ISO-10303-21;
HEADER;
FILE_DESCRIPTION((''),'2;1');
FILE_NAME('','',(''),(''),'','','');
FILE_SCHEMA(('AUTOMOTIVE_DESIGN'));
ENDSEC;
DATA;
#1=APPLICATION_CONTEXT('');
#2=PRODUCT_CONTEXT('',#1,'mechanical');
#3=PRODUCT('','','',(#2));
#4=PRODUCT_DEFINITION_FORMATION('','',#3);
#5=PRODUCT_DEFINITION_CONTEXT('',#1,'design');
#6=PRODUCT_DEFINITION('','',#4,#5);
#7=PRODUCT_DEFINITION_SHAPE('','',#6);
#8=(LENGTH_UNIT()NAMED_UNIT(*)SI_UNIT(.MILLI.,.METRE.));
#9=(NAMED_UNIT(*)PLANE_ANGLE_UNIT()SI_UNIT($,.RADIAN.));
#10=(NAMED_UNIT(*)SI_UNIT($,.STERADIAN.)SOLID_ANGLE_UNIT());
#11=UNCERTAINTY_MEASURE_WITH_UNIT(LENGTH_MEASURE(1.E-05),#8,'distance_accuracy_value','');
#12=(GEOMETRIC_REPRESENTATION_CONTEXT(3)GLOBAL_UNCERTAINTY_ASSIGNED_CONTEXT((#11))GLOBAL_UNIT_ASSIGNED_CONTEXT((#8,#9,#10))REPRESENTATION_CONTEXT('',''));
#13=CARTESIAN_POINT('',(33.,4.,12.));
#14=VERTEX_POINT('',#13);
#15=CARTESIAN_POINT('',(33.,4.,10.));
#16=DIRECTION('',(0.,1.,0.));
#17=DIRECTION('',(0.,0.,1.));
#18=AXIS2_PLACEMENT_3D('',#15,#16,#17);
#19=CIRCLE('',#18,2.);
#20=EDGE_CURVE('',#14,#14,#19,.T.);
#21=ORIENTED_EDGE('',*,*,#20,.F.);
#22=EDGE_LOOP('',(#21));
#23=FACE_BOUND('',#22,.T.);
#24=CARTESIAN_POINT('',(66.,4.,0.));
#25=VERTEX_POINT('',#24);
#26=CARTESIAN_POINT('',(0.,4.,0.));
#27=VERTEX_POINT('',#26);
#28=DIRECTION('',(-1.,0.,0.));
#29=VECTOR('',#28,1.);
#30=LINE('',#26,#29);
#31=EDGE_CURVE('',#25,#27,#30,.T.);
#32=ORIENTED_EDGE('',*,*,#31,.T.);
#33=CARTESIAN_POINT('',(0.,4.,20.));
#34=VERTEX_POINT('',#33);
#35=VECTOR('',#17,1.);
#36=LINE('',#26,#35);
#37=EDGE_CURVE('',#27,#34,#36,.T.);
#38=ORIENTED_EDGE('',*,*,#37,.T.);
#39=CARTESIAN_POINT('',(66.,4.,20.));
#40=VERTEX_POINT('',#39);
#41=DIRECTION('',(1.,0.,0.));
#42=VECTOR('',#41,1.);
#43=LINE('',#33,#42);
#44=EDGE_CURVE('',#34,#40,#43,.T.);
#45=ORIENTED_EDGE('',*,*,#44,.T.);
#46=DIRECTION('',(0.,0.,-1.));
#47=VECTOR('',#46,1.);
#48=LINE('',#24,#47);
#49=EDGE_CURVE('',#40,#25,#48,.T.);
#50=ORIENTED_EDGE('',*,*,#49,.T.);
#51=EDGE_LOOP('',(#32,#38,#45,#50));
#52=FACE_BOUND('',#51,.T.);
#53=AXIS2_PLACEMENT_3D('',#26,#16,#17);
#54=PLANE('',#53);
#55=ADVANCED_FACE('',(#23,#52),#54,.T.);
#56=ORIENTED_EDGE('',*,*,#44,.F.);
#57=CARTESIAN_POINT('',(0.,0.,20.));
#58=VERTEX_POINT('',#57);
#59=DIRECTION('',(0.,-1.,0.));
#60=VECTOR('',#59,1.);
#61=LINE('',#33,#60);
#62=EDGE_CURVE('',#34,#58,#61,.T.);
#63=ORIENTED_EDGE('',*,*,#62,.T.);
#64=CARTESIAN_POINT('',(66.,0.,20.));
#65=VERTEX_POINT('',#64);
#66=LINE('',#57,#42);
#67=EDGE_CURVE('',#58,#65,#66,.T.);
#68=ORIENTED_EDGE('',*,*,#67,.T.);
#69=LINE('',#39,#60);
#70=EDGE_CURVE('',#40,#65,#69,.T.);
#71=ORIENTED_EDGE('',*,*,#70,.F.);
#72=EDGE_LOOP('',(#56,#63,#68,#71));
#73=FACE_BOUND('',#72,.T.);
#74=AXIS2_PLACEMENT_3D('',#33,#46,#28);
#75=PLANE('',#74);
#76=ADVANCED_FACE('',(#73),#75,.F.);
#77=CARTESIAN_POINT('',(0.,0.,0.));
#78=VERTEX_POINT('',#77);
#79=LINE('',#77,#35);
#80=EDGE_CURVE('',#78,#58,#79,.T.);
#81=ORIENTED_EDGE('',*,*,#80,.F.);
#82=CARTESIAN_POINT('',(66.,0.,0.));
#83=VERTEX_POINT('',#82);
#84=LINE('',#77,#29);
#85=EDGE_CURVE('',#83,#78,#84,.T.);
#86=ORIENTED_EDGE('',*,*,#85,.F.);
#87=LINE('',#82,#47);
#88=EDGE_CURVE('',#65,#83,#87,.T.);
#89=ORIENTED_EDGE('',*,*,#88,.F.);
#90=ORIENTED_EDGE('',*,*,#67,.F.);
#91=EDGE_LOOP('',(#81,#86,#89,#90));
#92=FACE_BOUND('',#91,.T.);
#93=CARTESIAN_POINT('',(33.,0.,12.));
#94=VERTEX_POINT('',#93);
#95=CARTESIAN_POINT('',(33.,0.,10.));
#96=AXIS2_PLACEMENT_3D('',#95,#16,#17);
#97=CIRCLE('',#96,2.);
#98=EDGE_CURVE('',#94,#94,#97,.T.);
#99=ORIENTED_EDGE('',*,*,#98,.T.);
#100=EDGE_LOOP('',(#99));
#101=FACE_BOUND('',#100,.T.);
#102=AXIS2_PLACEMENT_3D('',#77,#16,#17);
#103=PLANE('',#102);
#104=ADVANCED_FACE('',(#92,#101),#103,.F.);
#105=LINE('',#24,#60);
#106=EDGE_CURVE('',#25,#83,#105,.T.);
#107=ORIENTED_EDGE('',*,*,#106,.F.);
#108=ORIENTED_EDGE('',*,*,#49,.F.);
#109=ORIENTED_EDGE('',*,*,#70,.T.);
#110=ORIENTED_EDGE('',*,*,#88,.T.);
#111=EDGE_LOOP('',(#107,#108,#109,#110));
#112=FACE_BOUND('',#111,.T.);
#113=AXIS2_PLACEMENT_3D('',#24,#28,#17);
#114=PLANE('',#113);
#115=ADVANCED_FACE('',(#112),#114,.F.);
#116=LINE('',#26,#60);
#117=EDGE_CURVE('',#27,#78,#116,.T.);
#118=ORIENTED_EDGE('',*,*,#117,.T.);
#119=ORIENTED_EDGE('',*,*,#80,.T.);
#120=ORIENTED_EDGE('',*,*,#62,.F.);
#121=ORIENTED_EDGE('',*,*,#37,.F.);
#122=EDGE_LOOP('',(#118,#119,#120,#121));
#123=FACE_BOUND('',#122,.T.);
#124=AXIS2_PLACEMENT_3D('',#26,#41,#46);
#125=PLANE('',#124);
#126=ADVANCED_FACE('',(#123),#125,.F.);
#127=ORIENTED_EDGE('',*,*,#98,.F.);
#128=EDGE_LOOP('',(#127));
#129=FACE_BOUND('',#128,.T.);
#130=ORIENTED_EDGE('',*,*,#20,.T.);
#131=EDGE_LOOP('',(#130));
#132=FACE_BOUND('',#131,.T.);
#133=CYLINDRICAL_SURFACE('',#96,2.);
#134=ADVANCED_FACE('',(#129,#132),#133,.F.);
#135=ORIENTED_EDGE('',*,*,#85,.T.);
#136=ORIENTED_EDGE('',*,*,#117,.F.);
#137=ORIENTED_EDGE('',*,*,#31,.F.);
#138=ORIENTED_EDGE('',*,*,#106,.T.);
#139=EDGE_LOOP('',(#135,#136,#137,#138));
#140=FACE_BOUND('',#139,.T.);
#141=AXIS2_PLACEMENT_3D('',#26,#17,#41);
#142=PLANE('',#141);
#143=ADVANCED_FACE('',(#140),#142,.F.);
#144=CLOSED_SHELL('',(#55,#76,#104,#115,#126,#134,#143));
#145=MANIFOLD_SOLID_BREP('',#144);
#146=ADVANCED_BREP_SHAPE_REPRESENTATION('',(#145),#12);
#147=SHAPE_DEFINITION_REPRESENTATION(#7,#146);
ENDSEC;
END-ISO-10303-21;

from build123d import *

# Parameters (mm, degrees)
SKETCH1_W           = 66
SKETCH1_H           = 20
BOSS_EXTRUDE1_DEPTH = 4
SKETCH2_R           = 2
CUT_EXTRUDE1_DEPTH  = 5


with BuildPart() as part:
    # Sketch1 → Boss-Extrude1 (new body)
    with BuildSketch(Plane(origin=(0, 0, 0), x_dir=(1, 0, 0), z_dir=(0, 1, 0))):
        with Locations((33, -10)):
            Rectangle(SKETCH1_W, SKETCH1_H)
    extrude(amount=BOSS_EXTRUDE1_DEPTH)

    # Sketch2 → Cut-Extrude1 (cut, through all)
    with BuildSketch(Plane(origin=(0, 4, 0), x_dir=(1, 0, 0), z_dir=(0, 1, 0))):
        with Locations((33, -10)):
            Circle(SKETCH2_R)
    extrude(amount=-CUT_EXTRUDE1_DEPTH, mode=Mode.SUBTRACT)


solid = part.part
